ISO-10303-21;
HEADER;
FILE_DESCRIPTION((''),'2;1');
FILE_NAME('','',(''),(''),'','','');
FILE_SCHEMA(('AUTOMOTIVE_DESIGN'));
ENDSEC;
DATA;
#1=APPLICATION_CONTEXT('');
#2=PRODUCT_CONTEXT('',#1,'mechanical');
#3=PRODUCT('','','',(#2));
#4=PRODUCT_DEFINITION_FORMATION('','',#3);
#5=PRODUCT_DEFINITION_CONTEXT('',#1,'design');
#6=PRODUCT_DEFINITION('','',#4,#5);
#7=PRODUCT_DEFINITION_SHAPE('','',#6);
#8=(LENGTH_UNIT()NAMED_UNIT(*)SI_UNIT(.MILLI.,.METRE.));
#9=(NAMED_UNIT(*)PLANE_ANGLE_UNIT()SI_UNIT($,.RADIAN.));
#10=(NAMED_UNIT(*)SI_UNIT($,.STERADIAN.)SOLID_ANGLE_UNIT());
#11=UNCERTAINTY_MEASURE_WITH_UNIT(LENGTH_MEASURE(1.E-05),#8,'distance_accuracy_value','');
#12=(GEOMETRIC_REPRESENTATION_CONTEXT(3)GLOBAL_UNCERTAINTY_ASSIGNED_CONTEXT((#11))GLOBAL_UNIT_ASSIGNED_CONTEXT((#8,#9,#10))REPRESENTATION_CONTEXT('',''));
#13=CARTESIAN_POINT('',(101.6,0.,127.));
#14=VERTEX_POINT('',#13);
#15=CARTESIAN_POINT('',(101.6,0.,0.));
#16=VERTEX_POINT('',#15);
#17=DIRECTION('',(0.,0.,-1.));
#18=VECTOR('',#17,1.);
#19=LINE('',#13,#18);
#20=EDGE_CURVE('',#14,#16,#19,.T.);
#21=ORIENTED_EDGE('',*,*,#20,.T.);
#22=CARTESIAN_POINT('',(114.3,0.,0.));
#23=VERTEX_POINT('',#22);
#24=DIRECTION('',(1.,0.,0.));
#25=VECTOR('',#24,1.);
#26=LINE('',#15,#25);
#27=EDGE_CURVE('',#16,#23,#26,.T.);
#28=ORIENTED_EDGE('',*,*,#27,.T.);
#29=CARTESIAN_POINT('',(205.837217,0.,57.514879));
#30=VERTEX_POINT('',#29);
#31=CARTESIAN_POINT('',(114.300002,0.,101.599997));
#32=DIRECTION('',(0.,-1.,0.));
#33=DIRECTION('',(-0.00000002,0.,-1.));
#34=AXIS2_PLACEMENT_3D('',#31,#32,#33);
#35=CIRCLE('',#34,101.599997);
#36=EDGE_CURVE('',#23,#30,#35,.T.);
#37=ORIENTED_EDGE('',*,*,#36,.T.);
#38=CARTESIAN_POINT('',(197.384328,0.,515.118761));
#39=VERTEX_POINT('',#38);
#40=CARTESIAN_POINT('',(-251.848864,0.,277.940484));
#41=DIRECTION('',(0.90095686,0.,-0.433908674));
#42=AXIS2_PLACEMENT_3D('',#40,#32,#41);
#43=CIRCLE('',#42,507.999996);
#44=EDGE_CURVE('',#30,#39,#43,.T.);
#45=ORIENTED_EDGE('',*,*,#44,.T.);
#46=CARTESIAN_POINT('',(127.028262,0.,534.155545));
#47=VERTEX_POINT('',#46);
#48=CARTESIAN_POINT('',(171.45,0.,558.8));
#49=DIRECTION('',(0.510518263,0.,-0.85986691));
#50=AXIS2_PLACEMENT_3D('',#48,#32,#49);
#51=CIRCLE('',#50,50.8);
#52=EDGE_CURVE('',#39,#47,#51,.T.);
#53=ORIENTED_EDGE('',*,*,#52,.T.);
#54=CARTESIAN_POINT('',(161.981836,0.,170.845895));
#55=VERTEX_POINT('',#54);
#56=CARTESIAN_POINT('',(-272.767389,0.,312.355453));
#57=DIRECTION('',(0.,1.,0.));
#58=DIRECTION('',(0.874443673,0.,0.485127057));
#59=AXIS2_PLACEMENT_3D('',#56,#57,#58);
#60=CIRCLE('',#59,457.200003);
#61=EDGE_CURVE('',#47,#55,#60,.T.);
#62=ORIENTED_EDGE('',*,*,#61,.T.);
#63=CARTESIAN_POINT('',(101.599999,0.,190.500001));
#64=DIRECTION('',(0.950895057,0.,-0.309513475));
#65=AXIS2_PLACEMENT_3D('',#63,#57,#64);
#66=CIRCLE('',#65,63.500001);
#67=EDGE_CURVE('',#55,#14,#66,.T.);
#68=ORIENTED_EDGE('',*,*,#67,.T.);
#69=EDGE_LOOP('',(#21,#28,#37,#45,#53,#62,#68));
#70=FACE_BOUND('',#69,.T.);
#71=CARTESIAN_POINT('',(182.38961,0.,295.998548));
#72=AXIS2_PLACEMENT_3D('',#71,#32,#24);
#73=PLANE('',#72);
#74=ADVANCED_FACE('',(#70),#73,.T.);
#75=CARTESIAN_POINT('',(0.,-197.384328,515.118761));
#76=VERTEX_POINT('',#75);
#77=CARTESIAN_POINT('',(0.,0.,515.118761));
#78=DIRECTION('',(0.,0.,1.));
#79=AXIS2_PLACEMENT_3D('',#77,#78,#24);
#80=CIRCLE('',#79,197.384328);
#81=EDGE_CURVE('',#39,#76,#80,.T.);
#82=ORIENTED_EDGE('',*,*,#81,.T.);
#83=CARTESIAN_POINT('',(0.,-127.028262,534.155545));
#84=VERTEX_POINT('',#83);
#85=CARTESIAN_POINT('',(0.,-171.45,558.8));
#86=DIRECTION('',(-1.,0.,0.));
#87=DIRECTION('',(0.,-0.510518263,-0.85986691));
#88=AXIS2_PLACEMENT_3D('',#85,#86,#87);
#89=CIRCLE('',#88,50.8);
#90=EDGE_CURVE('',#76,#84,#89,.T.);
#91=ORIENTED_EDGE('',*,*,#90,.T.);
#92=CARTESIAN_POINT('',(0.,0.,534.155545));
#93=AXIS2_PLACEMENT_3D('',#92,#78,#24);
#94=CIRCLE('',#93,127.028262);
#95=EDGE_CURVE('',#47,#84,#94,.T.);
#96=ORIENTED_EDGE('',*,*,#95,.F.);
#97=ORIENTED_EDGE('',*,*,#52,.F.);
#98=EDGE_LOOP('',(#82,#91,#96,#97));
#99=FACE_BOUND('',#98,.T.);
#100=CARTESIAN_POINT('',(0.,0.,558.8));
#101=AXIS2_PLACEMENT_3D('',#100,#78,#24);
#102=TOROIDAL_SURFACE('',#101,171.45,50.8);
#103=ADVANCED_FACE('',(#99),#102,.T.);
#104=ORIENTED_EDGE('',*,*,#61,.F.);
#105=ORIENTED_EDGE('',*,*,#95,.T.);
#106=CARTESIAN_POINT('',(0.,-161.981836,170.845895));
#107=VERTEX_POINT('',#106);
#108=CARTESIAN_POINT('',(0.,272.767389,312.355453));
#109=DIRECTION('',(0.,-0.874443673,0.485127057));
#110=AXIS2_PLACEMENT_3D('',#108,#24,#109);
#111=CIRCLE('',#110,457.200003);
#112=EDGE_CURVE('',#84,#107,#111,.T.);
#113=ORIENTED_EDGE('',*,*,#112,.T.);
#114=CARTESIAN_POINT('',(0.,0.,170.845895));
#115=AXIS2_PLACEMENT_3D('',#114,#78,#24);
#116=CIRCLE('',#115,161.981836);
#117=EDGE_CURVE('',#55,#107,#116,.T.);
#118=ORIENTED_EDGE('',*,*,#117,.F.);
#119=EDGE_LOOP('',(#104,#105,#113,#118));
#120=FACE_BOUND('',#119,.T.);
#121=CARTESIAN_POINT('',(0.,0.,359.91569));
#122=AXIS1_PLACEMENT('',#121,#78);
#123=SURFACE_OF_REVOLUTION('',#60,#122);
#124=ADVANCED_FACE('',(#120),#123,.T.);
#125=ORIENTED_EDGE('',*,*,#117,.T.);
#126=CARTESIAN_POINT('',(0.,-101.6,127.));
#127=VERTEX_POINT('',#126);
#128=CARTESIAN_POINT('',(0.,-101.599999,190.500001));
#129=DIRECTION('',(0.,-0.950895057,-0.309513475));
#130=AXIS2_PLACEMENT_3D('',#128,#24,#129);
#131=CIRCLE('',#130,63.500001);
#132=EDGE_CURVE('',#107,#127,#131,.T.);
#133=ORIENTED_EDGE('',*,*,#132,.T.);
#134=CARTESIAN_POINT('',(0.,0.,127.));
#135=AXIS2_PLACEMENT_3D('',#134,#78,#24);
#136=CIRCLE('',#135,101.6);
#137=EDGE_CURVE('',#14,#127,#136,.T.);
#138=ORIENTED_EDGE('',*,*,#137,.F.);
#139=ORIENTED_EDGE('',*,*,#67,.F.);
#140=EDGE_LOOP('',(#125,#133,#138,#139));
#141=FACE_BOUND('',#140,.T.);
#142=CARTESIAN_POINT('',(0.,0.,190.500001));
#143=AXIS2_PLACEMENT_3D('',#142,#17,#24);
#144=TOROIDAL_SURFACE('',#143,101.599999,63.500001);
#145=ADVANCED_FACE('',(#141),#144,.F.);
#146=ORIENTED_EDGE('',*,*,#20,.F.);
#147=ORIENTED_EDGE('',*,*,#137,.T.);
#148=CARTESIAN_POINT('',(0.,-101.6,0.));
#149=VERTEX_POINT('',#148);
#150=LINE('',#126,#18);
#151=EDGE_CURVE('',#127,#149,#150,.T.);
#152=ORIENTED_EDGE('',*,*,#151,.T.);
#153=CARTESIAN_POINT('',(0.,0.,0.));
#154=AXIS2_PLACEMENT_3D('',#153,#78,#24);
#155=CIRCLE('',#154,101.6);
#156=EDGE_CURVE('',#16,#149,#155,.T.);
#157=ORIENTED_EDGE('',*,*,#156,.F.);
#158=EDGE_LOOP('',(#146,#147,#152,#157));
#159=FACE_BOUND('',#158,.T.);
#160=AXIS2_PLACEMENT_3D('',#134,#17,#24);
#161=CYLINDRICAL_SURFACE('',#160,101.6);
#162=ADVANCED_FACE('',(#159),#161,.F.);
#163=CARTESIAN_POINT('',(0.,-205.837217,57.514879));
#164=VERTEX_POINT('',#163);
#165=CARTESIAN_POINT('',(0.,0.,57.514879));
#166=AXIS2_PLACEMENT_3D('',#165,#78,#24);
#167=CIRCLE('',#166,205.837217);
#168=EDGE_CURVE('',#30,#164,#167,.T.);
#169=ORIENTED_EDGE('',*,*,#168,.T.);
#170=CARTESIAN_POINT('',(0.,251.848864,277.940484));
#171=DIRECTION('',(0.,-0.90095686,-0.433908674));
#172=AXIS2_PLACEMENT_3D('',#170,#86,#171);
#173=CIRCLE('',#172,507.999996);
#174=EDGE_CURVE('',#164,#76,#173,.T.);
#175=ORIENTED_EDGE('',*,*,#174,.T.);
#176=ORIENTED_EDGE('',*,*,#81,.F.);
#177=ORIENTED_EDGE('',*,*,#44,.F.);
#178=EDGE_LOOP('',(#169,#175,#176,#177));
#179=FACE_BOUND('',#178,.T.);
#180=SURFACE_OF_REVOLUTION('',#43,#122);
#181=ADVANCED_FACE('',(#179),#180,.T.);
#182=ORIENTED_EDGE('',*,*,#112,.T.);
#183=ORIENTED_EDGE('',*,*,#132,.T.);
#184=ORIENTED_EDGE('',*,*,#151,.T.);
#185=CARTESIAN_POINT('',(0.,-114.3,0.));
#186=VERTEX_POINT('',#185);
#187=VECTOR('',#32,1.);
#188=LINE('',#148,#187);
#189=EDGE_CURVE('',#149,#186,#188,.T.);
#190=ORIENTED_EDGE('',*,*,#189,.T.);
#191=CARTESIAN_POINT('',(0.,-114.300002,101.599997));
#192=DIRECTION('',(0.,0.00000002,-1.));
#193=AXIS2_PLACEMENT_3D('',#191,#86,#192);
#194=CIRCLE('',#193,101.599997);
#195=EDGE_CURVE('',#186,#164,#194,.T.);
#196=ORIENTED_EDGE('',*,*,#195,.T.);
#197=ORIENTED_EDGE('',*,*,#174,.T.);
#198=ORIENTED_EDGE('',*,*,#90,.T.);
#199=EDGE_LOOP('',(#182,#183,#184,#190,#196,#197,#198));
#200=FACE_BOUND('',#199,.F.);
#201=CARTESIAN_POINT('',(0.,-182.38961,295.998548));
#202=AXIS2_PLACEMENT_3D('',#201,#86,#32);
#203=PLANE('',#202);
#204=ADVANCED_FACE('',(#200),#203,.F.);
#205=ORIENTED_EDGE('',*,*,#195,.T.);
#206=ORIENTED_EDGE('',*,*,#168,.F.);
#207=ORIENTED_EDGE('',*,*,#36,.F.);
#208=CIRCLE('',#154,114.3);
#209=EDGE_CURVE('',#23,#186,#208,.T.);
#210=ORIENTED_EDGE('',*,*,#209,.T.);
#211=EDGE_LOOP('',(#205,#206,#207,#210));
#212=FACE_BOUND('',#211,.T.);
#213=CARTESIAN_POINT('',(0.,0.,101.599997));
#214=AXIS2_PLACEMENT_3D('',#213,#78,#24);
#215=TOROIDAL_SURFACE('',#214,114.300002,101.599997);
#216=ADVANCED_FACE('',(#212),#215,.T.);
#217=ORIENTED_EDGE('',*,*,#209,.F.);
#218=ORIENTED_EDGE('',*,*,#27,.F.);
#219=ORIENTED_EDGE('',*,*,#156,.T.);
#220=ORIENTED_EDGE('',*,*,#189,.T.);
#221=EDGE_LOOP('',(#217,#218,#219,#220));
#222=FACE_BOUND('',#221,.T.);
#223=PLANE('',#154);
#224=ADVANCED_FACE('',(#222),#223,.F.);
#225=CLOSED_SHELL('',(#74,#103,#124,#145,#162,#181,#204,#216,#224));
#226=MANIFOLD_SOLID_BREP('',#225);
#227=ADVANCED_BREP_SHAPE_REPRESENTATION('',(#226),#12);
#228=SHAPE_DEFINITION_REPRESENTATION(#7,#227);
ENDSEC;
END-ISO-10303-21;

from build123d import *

# Parameters (mm, degrees)
F1_ANGLE = 270


with BuildPart() as f1:
    # F0 (on Front) → F1 (revolve)
    with BuildSketch(Plane.XZ):
        with BuildLine():
            ThreePointArc((161.981836, 170.845895), (138.910952, 139.11768), (101.6, 127))
            Line((101.6, 127), (101.6, 0))
            Line((101.6, 0), (114.3, 0))
            ThreePointArc((114.3, 0), (168.353269, 15.572073), (205.837217, 57.514879))
            ThreePointArc((205.837217, 57.514879), (256.064485, 287.322693), (197.384328, 515.118761))
            ThreePointArc((197.384328, 515.118761), (184.718228, 607.836661), (127.028262, 534.155545))
            ThreePointArc((127.028262, 534.155545), (182.331241, 356.139931), (161.981836, 170.845895))
        make_face()
    revolve(axis=Axis((0, 0, 359.91569), (0, 0, 1)), revolution_arc=F1_ANGLE)


solid = f1.part
